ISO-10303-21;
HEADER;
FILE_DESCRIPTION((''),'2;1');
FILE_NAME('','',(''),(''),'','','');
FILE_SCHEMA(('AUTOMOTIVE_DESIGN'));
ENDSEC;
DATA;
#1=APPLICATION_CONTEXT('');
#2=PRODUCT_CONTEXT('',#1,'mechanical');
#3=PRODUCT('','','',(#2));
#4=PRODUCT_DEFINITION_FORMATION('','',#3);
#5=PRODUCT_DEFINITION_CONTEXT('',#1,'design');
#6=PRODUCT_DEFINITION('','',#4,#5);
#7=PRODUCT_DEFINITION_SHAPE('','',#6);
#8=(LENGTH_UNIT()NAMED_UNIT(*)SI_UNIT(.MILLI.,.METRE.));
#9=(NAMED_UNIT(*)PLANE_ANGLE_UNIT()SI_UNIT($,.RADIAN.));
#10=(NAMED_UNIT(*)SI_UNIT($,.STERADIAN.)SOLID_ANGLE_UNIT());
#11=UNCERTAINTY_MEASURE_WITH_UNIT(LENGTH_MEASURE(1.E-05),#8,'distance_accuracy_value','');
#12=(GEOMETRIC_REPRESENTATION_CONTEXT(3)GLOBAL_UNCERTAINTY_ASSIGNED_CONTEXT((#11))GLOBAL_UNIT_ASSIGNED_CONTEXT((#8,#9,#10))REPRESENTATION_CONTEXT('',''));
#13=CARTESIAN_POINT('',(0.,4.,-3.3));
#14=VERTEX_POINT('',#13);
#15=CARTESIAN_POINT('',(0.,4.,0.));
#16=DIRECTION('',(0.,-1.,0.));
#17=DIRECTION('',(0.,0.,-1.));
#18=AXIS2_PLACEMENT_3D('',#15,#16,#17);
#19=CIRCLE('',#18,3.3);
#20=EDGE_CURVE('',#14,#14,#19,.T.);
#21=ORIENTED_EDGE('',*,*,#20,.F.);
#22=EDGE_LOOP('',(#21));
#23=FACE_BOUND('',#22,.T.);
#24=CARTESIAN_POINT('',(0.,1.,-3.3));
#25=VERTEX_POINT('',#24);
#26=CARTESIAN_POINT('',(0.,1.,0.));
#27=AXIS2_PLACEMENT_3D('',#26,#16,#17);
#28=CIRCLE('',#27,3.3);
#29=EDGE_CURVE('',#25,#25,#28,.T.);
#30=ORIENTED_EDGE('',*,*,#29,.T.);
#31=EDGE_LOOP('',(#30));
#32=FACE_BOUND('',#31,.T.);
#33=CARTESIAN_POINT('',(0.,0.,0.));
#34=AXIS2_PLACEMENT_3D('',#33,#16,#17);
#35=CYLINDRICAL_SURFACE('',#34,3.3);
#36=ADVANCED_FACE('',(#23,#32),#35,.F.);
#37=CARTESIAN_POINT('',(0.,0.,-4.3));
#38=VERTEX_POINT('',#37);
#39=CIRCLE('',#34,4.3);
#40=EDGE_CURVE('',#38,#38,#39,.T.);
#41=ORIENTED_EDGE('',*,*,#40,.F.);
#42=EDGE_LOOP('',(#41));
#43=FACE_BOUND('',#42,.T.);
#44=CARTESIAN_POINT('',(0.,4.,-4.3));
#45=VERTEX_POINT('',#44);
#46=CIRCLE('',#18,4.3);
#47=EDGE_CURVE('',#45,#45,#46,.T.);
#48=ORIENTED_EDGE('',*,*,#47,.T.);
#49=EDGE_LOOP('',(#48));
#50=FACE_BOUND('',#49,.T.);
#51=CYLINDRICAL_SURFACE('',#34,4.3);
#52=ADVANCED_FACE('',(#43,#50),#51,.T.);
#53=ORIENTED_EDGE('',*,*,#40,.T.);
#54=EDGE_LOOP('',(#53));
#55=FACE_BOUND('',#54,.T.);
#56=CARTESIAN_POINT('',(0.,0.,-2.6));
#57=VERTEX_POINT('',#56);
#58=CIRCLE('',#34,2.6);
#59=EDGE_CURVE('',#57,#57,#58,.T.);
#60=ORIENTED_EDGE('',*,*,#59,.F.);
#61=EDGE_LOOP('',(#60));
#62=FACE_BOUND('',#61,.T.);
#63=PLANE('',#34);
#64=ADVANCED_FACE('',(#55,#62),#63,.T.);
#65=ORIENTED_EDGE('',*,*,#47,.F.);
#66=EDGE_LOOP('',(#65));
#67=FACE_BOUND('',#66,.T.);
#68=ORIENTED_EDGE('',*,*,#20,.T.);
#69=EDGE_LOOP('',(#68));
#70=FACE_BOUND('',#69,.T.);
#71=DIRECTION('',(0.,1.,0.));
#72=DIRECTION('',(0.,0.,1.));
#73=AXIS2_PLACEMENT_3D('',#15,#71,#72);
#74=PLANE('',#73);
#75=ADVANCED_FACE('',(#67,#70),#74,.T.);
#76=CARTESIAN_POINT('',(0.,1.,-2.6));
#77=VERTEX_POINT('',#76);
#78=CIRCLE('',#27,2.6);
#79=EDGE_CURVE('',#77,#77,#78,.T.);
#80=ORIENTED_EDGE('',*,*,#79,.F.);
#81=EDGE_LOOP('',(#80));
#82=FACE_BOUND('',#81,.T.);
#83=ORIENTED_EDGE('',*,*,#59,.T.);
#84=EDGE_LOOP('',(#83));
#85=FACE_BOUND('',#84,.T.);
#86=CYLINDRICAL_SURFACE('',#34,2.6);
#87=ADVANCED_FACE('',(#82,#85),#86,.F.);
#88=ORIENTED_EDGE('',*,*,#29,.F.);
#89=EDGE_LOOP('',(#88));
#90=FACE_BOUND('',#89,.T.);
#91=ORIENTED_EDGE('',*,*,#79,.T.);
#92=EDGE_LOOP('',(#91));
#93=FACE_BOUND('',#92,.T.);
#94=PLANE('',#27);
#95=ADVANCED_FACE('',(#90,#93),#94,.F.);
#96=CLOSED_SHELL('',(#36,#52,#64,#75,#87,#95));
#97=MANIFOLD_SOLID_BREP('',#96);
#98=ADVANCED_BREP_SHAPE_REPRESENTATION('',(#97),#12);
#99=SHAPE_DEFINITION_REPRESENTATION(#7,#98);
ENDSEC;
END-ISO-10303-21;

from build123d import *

# Parameters (mm, degrees)
SKETCH1_W   = 1.7
SKETCH1_H   = 1
SKETCH1_W_2 = 1
SKETCH1_H_2 = 3


with BuildPart() as part:
    # Sketch1 → Revolve2 (revolve)
    with BuildSketch(Plane.XY, mode=Mode.PRIVATE) as revolve2_sk:
        with Locations((3.45, 0.5)):
            Rectangle(SKETCH1_W, SKETCH1_H)
        with Locations((3.8, 2.5)):
            Rectangle(SKETCH1_W_2, SKETCH1_H_2)
    revolve(revolve2_sk.sketch.rotate(Axis((0, 0, 0), (0, 1, 0)), 90), axis=Axis((0, 0, 0), (0, 1, 0)))


solid = part.part
